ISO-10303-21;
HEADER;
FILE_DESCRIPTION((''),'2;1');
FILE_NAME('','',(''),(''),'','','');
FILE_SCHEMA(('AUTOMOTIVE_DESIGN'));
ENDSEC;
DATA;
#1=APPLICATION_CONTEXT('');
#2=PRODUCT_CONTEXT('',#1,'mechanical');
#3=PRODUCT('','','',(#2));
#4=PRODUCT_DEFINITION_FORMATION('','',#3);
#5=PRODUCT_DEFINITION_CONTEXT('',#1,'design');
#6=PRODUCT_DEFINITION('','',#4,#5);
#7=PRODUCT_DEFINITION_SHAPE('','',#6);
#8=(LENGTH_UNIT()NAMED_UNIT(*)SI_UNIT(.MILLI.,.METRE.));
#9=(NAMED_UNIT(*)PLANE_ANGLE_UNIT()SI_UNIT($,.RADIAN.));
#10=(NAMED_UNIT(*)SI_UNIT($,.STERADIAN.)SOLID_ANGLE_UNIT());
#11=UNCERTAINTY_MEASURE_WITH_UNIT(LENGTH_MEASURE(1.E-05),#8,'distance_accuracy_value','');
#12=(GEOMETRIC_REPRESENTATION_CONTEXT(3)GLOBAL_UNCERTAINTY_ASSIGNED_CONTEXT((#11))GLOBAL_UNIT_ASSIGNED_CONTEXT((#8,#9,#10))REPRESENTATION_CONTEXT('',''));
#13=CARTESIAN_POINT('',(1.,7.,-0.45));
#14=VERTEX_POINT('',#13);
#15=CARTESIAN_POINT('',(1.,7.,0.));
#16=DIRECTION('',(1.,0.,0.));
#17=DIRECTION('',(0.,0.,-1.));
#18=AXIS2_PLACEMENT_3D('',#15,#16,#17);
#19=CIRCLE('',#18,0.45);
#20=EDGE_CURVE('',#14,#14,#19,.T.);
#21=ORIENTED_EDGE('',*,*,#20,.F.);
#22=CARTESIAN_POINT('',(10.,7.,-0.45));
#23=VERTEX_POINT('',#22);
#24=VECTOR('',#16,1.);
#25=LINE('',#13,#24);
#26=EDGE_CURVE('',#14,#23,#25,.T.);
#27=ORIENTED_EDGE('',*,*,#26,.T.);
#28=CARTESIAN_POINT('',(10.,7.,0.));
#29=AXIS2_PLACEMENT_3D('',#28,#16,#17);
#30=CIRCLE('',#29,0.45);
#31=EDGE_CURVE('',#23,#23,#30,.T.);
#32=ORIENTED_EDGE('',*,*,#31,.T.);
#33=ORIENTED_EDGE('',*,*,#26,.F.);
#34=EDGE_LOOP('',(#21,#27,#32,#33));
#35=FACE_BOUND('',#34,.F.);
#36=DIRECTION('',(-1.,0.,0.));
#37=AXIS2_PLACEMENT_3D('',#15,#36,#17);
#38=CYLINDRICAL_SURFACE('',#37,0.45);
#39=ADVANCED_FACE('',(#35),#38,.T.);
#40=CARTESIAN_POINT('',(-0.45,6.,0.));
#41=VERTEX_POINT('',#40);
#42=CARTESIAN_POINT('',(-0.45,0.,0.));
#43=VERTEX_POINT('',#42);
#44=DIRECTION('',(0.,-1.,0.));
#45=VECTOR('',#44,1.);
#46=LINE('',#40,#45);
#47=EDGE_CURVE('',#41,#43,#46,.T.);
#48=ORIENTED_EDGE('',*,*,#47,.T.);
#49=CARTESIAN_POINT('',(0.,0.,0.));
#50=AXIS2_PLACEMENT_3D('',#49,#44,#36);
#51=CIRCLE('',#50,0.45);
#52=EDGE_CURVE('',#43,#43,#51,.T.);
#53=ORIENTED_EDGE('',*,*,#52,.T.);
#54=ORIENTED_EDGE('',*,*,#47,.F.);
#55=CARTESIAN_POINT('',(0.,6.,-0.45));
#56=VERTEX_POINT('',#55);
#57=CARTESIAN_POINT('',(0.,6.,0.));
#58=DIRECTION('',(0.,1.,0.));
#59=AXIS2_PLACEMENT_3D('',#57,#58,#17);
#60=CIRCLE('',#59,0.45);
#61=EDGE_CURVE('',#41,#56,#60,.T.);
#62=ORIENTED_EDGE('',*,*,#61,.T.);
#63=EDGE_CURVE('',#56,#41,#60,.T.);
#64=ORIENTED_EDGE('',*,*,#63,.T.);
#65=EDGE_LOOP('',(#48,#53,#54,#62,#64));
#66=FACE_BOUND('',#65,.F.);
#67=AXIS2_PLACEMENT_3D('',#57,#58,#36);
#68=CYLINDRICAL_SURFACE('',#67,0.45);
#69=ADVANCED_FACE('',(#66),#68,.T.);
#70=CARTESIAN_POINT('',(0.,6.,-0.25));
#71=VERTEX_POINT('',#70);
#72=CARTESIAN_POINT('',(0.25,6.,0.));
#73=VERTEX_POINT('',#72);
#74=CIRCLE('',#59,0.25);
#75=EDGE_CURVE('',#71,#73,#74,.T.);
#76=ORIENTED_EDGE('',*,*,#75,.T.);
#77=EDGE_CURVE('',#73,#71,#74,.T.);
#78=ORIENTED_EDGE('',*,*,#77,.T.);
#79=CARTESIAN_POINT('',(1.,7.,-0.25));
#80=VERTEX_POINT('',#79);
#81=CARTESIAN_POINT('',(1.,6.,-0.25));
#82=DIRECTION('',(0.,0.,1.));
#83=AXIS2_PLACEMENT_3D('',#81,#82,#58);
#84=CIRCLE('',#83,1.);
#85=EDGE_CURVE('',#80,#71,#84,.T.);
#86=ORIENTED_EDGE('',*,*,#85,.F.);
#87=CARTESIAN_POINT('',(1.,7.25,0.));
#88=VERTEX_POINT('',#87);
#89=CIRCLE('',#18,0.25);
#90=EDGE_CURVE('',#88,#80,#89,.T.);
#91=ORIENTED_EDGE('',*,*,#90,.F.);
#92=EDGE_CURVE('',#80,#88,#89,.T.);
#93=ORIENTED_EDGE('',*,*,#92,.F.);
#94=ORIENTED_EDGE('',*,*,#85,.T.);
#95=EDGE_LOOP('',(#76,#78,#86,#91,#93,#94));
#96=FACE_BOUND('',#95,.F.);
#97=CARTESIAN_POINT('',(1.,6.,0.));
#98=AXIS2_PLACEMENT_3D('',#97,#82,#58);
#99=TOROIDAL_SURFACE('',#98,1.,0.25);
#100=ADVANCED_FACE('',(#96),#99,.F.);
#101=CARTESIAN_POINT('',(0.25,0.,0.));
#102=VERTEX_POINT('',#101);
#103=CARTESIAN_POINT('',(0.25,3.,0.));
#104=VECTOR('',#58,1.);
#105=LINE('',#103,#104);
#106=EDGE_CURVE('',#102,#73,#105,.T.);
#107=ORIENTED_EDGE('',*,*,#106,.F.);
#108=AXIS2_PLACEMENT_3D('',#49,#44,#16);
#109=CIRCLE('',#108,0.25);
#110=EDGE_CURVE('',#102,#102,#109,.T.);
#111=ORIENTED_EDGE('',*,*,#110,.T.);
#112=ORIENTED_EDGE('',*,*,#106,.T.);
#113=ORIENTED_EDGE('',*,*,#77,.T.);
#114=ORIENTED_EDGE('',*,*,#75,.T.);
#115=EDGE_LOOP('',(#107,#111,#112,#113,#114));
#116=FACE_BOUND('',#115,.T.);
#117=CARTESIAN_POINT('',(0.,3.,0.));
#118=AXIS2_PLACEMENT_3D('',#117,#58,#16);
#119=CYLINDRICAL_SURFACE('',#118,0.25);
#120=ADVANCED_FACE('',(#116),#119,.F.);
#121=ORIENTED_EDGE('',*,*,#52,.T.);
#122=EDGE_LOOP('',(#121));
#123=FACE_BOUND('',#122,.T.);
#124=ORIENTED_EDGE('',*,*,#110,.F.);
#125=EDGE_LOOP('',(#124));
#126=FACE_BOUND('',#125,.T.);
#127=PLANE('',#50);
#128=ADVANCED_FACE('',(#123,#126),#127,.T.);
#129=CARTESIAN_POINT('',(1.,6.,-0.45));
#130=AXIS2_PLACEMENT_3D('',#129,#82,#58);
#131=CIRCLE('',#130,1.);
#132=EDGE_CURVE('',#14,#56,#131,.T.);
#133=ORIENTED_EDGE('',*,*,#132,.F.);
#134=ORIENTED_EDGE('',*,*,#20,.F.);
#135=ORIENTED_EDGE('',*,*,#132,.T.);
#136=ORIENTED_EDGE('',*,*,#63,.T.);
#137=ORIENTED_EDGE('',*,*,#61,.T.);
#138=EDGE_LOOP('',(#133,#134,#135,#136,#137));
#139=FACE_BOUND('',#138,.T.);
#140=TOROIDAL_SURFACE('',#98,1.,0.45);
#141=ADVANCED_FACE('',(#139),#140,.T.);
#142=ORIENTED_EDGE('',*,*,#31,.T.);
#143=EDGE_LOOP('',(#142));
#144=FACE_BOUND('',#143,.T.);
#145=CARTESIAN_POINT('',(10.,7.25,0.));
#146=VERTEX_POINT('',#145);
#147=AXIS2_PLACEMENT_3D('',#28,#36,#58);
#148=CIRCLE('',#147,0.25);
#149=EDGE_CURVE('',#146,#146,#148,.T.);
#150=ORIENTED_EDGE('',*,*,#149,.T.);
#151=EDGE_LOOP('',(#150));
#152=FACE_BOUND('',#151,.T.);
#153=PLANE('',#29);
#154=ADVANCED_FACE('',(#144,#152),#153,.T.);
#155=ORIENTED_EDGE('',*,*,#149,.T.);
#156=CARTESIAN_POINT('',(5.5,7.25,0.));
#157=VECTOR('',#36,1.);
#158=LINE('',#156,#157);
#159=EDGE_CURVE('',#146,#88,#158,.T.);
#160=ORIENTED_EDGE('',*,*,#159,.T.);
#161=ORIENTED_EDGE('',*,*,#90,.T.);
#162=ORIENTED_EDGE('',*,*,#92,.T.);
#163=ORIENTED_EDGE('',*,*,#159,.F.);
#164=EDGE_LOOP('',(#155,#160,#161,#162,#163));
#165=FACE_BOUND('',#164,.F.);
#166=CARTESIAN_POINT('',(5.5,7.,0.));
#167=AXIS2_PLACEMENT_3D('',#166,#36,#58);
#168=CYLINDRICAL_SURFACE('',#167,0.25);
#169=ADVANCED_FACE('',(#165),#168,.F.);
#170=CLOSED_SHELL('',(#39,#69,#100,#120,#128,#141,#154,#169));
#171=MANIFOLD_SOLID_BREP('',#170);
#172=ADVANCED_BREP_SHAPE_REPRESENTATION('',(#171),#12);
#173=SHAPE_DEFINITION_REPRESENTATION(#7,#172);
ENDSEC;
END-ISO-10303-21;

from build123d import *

# Parameters (mm, degrees)
SKETCH1_R           = 0.45
SKETCH1_R_2         = 0.25
REVOLVE1_ANGLE      = 90
SKETCH6_R           = 0.45
BOSS_EXTRUDE1_DEPTH = 6
SKETCH11_R          = 0.45
BOSS_EXTRUDE2_DEPTH = 9
SKETCH17_W          = 9
SKETCH17_H          = 0.25
SKETCH19_W          = 0.25
SKETCH19_H          = 6


with BuildPart() as part:
    # Sketch1 → Revolve1 (revolve)
    with BuildSketch(Plane(origin=(1, 0, 0), x_dir=(0, 0, -1), z_dir=(1, 0, 0))):
        with Locations((0, 7)):
            Circle(SKETCH1_R)
        with Locations((0, 7)):
            Circle(SKETCH1_R_2, mode=Mode.SUBTRACT)
    revolve(axis=Axis((1, 6, 0.4), (0, 0, 1)), revolution_arc=REVOLVE1_ANGLE)

    # Sketch6 → Boss-Extrude1 (add)
    with BuildSketch(Plane(origin=(0, 6, 0), x_dir=(-1, 0, 0), z_dir=(0, -1, 0))):
        Circle(SKETCH6_R)
    extrude(amount=BOSS_EXTRUDE1_DEPTH)

    # Sketch11 → Boss-Extrude2 (add)
    with BuildSketch(Plane(origin=(1, 0, 0), x_dir=(0, 0, -1), z_dir=(1, 0, 0))):
        with Locations((0, 7)):
            Circle(SKETCH11_R)
    extrude(amount=BOSS_EXTRUDE2_DEPTH)

    # Sketch17 → Cut-Revolve1 (revolve, cut)
    with BuildSketch(Plane(origin=(0, 0, 0), x_dir=(-1, 0, 0), z_dir=(0, 0, -1))):
        with Locations((-5.5, 7.125)):
            Rectangle(SKETCH17_W, SKETCH17_H)
    revolve(axis=Axis((10, 7, 0), (-1, 0, 0)), mode=Mode.SUBTRACT)

    # Sketch19 → Cut-Revolve2 (revolve, cut)
    with BuildSketch(Plane.XY):
        with Locations((0.125, 3)):
            Rectangle(SKETCH19_W, SKETCH19_H)
    revolve(axis=Axis((0, 6, 0), (0, -1, 0)), mode=Mode.SUBTRACT)


solid = part.part
